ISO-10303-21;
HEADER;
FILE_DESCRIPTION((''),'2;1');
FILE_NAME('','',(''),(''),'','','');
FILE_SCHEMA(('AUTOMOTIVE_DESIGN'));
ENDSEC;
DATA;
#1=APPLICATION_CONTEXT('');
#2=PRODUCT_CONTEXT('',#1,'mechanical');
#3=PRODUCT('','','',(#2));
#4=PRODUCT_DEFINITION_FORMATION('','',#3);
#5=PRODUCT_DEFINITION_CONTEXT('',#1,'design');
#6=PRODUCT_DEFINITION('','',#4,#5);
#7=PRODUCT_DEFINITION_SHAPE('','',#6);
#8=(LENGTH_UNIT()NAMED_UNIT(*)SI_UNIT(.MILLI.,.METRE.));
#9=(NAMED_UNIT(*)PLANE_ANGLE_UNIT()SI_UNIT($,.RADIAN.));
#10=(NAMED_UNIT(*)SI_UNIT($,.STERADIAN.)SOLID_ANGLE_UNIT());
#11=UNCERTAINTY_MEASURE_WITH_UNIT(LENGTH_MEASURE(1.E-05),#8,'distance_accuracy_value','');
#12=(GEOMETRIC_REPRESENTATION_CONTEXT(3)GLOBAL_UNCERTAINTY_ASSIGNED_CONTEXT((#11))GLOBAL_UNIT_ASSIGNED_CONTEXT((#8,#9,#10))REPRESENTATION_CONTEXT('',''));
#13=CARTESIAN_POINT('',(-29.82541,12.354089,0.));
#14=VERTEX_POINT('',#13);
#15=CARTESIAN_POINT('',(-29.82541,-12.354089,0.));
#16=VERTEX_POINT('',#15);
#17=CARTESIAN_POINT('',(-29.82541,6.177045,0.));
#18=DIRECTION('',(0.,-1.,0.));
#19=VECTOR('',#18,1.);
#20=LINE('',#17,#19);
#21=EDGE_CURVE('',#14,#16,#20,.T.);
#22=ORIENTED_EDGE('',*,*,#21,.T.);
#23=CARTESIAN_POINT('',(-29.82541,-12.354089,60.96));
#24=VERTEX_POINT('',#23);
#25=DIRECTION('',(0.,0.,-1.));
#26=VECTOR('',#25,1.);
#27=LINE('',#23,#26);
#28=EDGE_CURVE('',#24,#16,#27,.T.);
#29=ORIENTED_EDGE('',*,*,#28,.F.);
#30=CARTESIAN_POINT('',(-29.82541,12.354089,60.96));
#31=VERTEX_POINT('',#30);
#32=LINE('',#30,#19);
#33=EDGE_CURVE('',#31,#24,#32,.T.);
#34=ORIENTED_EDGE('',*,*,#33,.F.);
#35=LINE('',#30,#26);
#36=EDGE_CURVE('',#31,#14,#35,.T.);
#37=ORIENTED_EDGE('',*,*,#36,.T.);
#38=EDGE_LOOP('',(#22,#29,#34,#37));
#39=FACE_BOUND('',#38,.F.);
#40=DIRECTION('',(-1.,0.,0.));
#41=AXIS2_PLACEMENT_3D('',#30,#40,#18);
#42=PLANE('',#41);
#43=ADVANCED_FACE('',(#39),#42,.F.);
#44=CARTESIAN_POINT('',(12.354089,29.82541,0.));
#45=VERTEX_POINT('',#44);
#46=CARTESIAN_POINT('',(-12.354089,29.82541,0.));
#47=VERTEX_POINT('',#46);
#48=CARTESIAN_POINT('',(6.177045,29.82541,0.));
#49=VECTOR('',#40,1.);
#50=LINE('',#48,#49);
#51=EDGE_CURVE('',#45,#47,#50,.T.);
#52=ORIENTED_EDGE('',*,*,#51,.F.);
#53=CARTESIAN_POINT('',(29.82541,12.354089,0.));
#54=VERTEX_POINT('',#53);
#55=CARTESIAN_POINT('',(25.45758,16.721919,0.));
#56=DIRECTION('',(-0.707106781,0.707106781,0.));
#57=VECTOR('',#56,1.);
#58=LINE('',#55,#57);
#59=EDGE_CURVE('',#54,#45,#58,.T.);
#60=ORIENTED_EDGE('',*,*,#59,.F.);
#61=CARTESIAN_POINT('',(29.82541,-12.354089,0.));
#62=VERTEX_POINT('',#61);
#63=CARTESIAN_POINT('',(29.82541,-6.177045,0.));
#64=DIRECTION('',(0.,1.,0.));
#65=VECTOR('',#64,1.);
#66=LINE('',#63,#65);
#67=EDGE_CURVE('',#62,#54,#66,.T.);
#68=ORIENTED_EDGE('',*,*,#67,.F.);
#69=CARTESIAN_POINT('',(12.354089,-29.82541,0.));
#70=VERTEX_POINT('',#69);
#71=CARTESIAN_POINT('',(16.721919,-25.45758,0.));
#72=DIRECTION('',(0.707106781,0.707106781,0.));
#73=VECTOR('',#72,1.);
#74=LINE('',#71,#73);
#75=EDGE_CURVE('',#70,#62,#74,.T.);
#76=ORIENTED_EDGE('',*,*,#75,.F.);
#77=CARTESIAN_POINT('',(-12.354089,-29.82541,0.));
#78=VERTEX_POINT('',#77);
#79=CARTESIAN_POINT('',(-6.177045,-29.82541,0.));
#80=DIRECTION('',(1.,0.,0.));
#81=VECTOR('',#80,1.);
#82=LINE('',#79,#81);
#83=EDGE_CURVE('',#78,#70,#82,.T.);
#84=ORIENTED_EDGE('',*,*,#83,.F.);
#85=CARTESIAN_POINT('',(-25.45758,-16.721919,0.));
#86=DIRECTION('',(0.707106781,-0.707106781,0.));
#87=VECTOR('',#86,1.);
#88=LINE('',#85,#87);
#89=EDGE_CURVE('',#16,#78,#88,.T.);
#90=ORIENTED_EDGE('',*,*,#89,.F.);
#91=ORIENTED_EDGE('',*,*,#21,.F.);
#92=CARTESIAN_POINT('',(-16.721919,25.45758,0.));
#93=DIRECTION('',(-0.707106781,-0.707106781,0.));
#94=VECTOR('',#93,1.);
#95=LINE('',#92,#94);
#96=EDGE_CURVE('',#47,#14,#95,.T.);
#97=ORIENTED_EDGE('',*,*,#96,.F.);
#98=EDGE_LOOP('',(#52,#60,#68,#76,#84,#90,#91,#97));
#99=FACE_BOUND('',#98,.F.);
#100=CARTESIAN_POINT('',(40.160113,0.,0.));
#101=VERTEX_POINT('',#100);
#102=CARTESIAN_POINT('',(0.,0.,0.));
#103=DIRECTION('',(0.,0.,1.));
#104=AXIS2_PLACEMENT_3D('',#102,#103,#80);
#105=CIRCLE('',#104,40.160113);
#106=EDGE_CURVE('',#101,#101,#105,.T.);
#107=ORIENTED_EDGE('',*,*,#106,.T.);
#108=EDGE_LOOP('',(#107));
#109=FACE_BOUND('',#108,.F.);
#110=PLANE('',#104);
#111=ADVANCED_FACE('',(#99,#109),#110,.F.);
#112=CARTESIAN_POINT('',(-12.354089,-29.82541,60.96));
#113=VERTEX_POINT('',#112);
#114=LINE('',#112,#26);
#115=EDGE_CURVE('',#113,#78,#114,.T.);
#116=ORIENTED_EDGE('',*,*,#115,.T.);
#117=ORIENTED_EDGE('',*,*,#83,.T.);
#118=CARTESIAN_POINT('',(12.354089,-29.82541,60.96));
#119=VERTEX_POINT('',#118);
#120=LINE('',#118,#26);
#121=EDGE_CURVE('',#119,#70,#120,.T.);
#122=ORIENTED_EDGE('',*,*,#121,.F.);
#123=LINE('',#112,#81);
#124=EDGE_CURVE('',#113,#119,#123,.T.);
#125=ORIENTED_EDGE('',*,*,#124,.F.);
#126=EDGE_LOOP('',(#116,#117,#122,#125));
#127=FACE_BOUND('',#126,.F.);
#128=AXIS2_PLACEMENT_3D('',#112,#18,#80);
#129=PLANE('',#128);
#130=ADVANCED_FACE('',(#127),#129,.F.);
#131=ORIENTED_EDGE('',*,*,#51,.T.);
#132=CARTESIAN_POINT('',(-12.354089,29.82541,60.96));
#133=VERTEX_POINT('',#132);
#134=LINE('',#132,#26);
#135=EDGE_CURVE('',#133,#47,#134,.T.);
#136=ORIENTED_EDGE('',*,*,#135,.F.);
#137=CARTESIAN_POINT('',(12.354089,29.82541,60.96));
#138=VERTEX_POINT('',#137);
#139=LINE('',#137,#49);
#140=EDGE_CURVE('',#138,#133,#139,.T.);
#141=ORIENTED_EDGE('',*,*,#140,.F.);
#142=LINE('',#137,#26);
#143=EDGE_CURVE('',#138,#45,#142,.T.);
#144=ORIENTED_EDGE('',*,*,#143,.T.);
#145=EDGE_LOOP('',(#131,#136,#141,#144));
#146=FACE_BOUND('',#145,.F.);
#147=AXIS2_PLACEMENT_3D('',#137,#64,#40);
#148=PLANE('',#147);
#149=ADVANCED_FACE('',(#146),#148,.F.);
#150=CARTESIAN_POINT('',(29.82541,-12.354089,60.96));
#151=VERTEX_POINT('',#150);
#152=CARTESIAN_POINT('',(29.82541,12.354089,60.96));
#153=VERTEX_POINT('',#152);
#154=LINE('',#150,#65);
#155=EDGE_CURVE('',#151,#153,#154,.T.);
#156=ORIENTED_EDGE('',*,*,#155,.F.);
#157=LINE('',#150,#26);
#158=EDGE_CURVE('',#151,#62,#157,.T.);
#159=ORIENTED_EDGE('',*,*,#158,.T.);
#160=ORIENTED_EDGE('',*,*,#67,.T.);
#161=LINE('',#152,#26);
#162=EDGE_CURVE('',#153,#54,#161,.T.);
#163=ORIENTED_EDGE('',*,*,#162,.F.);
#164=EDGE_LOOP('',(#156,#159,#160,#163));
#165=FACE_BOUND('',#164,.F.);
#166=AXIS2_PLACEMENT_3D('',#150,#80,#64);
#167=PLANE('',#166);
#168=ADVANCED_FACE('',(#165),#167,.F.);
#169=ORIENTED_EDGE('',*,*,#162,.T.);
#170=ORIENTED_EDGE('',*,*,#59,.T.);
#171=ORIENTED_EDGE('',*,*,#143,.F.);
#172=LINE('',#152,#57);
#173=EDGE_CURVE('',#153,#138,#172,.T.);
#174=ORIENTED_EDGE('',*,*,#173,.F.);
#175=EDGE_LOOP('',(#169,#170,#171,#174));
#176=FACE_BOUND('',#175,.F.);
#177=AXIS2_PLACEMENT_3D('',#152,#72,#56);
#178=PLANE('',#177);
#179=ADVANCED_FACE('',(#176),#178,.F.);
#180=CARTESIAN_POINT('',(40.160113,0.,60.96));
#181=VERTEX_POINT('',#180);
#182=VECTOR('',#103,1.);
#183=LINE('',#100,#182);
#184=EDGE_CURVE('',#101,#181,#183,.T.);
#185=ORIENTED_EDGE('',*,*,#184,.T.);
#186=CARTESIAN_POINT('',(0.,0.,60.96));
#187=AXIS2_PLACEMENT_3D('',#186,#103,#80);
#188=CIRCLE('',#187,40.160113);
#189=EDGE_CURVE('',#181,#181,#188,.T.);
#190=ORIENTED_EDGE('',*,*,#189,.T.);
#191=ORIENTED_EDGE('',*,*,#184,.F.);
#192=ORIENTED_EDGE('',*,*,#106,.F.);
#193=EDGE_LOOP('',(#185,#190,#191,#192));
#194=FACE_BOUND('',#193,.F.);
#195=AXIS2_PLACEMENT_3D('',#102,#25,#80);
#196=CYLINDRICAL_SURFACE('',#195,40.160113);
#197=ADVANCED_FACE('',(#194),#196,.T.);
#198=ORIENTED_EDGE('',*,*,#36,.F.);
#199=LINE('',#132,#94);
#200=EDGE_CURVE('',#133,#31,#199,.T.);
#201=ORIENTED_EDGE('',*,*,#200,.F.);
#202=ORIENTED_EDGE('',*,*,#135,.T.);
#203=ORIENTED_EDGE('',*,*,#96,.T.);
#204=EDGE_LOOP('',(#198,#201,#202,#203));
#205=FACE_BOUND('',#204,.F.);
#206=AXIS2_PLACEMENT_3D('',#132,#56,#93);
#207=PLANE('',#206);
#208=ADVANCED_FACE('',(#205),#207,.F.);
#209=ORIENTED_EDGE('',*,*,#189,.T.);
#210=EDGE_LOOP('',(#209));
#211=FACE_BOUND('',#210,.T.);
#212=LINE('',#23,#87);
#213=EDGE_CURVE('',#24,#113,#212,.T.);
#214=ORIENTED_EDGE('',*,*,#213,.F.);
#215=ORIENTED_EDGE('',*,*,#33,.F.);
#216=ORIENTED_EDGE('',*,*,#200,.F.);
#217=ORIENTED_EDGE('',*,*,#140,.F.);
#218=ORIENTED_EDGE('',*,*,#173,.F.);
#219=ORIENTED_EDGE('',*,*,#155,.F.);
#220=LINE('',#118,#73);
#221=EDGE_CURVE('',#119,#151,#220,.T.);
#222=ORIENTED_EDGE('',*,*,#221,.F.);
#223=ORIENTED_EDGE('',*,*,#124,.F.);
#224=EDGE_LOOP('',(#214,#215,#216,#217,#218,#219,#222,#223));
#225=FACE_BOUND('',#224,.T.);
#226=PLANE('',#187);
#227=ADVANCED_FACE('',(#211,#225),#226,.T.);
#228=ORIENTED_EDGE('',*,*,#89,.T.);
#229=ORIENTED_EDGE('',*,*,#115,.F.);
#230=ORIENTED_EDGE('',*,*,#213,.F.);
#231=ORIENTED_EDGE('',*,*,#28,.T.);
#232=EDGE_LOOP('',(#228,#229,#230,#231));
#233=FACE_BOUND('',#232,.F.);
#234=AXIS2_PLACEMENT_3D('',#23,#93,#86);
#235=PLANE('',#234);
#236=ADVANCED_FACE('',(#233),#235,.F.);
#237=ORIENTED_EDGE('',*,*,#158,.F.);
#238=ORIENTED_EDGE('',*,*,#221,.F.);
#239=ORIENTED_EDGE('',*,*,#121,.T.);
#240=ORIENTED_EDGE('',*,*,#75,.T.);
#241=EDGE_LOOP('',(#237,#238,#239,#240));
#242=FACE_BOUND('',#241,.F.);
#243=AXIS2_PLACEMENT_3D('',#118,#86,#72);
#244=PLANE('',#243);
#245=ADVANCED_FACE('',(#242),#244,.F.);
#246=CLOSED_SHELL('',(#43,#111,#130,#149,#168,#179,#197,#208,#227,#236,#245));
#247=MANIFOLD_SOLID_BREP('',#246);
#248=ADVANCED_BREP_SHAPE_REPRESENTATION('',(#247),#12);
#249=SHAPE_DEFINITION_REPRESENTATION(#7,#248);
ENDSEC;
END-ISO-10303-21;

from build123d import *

# Parameters (mm, degrees)
F0_R     = 40.160113
F1_DEPTH = 60.96
F3_DEPTH = 183.896


with BuildPart() as f1:
    # F0 (on Top) → F1 (new body)
    with BuildSketch(Plane.XY):
        Circle(F0_R)
    extrude(amount=F1_DEPTH)

    # F2 (on face) → F3 (cut)
    with BuildSketch(Plane.XY.offset(60.96)):
        Polygon((-12.354089, -29.82541), (12.354089, -29.82541), (29.82541, -12.354089), (29.82541, 12.354089), (12.354089, 29.82541), (-12.354089, 29.82541), (-29.82541, 12.354089), (-29.82541, -12.354089), align=None)
    extrude(amount=-F3_DEPTH, mode=Mode.SUBTRACT)


solid = f1.part
